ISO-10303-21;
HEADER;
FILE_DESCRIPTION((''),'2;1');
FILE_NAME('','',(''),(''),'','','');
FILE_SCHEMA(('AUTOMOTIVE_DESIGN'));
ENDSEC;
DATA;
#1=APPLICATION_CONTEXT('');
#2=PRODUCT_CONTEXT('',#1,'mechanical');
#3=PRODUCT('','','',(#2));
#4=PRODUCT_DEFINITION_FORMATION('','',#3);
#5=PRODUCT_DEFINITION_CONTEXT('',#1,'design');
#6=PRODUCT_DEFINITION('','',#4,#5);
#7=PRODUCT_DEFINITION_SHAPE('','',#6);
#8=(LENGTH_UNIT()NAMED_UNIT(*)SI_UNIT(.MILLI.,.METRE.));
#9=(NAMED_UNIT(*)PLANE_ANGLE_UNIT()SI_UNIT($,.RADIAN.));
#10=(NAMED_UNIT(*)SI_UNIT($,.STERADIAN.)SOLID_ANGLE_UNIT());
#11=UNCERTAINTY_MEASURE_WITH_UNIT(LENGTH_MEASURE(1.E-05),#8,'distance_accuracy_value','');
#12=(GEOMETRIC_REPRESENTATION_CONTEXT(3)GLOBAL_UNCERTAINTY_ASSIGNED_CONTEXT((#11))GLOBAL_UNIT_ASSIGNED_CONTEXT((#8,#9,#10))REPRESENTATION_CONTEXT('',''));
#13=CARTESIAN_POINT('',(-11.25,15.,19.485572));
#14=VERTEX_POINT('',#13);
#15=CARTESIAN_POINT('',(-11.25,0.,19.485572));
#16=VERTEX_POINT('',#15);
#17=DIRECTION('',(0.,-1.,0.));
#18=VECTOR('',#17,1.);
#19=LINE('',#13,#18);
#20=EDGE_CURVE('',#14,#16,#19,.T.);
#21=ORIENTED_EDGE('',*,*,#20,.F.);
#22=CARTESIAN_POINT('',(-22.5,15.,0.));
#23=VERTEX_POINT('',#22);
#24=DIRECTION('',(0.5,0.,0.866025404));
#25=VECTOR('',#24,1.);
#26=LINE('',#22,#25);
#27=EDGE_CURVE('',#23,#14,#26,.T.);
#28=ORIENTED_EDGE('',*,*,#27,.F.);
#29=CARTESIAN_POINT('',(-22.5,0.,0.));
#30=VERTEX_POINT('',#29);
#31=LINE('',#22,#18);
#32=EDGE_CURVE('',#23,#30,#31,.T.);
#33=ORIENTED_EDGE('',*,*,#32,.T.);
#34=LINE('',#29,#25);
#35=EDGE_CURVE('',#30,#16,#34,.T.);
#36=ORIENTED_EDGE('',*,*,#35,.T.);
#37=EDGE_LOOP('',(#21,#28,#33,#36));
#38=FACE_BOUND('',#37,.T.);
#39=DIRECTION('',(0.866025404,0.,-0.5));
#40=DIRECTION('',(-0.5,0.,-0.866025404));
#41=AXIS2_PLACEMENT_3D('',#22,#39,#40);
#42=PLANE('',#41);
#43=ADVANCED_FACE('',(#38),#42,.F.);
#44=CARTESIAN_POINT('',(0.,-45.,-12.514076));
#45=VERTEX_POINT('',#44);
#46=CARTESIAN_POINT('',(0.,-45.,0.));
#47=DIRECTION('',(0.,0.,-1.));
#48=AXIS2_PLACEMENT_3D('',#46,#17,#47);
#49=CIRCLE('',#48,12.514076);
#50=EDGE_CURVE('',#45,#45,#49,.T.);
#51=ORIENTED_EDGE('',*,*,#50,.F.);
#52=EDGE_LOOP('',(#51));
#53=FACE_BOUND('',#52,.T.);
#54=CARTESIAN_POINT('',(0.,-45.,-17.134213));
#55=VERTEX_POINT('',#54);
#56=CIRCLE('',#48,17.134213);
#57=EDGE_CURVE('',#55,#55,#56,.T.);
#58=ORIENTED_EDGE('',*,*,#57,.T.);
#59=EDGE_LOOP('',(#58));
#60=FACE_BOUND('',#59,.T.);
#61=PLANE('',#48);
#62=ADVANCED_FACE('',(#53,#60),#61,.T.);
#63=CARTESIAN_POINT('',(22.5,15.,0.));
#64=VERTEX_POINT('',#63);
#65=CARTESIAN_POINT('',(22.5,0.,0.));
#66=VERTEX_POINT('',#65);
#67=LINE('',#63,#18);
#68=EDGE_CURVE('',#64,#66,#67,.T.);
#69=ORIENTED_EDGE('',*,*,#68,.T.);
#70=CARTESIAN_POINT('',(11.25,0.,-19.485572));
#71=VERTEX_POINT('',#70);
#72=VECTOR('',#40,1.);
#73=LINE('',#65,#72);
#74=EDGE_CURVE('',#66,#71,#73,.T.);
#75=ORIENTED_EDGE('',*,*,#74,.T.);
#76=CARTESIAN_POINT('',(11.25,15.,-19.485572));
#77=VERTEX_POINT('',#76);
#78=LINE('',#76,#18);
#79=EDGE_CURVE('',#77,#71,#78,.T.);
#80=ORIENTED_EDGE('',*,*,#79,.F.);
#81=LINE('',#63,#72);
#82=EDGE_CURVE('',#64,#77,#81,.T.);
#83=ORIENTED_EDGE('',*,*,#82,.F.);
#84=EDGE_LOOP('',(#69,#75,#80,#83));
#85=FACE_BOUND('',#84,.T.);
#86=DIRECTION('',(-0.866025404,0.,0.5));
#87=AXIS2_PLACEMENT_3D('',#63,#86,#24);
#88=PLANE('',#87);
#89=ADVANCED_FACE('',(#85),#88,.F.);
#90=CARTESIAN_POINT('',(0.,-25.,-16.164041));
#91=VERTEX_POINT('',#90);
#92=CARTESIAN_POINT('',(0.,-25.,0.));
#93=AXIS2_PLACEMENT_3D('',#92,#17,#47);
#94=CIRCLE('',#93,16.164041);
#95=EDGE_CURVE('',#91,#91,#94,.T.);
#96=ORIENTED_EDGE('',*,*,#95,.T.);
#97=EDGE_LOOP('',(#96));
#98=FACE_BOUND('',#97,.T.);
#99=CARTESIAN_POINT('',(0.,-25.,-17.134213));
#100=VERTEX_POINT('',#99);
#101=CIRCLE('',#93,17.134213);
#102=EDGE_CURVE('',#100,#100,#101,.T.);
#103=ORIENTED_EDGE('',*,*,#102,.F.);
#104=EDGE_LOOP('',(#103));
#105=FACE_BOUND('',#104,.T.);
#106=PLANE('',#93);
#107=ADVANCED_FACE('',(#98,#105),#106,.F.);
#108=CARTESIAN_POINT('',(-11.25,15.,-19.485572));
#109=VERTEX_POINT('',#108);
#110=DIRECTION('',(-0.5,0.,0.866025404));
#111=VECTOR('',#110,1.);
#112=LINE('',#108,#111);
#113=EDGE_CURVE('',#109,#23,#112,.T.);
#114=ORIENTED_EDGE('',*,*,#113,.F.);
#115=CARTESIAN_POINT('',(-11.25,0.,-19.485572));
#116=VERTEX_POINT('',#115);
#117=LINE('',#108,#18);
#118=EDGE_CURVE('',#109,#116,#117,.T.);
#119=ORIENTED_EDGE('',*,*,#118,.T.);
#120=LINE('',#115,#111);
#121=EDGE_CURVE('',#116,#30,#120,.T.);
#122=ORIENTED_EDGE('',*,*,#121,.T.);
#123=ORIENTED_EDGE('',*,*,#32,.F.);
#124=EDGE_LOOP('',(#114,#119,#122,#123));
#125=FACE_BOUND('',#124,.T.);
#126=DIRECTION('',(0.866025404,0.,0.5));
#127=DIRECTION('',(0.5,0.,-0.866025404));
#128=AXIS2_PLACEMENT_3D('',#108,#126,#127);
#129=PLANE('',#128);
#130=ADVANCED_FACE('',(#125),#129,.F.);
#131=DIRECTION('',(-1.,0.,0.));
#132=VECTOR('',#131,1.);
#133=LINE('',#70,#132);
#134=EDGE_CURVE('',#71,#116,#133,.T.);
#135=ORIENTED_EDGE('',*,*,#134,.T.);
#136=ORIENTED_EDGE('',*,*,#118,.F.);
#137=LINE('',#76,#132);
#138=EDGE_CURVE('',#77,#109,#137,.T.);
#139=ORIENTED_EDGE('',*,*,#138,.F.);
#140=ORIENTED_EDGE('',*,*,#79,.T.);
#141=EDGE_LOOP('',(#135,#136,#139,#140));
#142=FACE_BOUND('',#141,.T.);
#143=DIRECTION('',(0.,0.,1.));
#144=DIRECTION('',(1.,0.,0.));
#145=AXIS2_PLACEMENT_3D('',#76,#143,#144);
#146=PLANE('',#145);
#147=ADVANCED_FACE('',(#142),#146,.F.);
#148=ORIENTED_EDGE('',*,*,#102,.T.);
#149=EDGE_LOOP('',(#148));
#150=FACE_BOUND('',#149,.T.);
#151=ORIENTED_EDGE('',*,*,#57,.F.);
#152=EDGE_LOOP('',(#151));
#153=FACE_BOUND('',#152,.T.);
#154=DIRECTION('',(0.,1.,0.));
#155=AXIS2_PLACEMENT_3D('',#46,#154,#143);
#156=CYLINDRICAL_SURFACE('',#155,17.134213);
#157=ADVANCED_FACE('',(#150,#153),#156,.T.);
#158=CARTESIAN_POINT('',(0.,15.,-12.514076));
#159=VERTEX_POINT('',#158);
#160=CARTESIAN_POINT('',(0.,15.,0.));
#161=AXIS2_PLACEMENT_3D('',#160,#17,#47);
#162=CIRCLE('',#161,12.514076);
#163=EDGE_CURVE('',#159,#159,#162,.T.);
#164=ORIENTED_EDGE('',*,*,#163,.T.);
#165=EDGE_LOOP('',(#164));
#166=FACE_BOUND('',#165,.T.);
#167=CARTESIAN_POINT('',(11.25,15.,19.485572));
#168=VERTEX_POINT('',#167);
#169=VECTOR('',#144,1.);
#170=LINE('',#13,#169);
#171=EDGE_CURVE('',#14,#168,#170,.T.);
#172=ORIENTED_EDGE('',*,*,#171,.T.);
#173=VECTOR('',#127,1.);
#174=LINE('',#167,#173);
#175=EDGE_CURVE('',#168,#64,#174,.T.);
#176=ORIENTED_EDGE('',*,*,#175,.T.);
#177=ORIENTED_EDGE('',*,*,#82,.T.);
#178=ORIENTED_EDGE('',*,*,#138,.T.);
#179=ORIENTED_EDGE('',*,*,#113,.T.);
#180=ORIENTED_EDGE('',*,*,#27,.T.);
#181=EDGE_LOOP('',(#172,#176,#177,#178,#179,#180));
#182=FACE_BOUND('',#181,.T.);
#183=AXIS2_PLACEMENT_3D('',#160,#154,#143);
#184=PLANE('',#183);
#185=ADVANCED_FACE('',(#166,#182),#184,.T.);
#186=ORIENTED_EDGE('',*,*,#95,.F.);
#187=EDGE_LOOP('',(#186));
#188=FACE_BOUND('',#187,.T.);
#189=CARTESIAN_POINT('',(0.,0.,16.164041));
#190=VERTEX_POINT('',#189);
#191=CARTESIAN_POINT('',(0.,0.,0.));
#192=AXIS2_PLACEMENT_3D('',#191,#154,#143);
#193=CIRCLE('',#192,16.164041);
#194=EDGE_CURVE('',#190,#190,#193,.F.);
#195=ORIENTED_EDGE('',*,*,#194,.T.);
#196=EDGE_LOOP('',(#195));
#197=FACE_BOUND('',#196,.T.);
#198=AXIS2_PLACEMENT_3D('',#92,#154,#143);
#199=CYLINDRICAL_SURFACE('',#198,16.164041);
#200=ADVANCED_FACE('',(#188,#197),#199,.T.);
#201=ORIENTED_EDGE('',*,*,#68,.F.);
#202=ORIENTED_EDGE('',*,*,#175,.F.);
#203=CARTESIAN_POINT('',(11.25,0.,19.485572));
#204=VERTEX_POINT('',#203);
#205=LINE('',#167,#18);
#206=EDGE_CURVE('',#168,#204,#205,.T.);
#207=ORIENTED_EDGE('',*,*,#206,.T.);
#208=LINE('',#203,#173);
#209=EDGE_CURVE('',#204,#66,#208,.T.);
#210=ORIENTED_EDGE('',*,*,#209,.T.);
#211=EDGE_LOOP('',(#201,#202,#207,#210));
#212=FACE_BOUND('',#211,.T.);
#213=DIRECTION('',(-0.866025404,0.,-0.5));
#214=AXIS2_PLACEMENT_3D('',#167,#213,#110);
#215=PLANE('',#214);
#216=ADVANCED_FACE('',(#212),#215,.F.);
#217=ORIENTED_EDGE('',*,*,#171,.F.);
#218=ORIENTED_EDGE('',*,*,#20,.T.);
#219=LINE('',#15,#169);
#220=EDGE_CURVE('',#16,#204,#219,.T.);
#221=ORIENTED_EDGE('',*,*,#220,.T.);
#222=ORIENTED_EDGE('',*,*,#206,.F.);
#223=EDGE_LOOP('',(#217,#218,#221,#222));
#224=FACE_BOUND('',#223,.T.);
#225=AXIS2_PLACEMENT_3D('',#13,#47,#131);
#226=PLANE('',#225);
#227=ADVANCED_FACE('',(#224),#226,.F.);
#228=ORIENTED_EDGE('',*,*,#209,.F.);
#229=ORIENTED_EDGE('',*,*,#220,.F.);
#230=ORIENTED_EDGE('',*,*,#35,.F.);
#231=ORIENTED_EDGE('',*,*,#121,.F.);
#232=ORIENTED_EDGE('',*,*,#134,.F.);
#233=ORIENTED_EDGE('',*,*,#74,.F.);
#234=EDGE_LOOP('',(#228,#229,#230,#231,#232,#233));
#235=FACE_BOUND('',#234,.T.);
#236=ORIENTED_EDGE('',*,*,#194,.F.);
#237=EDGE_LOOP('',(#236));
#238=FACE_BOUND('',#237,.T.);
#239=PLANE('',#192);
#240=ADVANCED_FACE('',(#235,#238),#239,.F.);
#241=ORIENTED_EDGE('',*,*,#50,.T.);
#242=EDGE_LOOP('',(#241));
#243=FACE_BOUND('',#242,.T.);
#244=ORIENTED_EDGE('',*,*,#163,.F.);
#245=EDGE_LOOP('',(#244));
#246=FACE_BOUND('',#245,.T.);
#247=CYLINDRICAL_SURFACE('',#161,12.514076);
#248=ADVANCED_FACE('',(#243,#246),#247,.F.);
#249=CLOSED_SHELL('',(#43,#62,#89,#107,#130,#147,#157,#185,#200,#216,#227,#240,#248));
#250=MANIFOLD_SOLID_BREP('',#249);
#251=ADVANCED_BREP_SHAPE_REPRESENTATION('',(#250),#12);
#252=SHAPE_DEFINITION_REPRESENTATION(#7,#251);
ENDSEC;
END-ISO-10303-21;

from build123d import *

# Parameters (mm, degrees)
SALIENTE_EXTRUIR1_DEPTH = 15
CROQUIS2_R              = 16.164040976
SALIENTE_EXTRUIR2_DEPTH = 25
CROQUIS3_R              = 17.134212929
SALIENTE_EXTRUIR3_DEPTH = 20
CROQUIS4_R              = 12.514075771
CORTAR_EXTRUIR1_DEPTH   = 61


with BuildPart() as part:
    # Croquis1 → Saliente-Extruir1 (new body)
    with BuildSketch(Plane(origin=(0, 0, 0), x_dir=(1, 0, 0), z_dir=(0, 1, 0))):
        Polygon((22.5, 0), (11.25, 19.485571585), (-11.25, 19.485571585), (-22.5, 0), (-11.25, -19.485571585), (11.25, -19.485571585), align=None)
    extrude(amount=SALIENTE_EXTRUIR1_DEPTH)

    # Croquis2 → Saliente-Extruir2 (add)
    with BuildSketch(Plane.XZ):
        Circle(CROQUIS2_R)
    extrude(amount=SALIENTE_EXTRUIR2_DEPTH)

    # Croquis3 → Saliente-Extruir3 (add)
    with BuildSketch(Plane.XZ.offset(25)):
        Circle(CROQUIS3_R)
    extrude(amount=SALIENTE_EXTRUIR3_DEPTH)

    # Croquis4 → Cortar-Extruir1 (cut, through all)
    with BuildSketch(Plane.XZ.offset(45)):
        Circle(CROQUIS4_R)
    extrude(amount=-CORTAR_EXTRUIR1_DEPTH, mode=Mode.SUBTRACT)


solid = part.part
